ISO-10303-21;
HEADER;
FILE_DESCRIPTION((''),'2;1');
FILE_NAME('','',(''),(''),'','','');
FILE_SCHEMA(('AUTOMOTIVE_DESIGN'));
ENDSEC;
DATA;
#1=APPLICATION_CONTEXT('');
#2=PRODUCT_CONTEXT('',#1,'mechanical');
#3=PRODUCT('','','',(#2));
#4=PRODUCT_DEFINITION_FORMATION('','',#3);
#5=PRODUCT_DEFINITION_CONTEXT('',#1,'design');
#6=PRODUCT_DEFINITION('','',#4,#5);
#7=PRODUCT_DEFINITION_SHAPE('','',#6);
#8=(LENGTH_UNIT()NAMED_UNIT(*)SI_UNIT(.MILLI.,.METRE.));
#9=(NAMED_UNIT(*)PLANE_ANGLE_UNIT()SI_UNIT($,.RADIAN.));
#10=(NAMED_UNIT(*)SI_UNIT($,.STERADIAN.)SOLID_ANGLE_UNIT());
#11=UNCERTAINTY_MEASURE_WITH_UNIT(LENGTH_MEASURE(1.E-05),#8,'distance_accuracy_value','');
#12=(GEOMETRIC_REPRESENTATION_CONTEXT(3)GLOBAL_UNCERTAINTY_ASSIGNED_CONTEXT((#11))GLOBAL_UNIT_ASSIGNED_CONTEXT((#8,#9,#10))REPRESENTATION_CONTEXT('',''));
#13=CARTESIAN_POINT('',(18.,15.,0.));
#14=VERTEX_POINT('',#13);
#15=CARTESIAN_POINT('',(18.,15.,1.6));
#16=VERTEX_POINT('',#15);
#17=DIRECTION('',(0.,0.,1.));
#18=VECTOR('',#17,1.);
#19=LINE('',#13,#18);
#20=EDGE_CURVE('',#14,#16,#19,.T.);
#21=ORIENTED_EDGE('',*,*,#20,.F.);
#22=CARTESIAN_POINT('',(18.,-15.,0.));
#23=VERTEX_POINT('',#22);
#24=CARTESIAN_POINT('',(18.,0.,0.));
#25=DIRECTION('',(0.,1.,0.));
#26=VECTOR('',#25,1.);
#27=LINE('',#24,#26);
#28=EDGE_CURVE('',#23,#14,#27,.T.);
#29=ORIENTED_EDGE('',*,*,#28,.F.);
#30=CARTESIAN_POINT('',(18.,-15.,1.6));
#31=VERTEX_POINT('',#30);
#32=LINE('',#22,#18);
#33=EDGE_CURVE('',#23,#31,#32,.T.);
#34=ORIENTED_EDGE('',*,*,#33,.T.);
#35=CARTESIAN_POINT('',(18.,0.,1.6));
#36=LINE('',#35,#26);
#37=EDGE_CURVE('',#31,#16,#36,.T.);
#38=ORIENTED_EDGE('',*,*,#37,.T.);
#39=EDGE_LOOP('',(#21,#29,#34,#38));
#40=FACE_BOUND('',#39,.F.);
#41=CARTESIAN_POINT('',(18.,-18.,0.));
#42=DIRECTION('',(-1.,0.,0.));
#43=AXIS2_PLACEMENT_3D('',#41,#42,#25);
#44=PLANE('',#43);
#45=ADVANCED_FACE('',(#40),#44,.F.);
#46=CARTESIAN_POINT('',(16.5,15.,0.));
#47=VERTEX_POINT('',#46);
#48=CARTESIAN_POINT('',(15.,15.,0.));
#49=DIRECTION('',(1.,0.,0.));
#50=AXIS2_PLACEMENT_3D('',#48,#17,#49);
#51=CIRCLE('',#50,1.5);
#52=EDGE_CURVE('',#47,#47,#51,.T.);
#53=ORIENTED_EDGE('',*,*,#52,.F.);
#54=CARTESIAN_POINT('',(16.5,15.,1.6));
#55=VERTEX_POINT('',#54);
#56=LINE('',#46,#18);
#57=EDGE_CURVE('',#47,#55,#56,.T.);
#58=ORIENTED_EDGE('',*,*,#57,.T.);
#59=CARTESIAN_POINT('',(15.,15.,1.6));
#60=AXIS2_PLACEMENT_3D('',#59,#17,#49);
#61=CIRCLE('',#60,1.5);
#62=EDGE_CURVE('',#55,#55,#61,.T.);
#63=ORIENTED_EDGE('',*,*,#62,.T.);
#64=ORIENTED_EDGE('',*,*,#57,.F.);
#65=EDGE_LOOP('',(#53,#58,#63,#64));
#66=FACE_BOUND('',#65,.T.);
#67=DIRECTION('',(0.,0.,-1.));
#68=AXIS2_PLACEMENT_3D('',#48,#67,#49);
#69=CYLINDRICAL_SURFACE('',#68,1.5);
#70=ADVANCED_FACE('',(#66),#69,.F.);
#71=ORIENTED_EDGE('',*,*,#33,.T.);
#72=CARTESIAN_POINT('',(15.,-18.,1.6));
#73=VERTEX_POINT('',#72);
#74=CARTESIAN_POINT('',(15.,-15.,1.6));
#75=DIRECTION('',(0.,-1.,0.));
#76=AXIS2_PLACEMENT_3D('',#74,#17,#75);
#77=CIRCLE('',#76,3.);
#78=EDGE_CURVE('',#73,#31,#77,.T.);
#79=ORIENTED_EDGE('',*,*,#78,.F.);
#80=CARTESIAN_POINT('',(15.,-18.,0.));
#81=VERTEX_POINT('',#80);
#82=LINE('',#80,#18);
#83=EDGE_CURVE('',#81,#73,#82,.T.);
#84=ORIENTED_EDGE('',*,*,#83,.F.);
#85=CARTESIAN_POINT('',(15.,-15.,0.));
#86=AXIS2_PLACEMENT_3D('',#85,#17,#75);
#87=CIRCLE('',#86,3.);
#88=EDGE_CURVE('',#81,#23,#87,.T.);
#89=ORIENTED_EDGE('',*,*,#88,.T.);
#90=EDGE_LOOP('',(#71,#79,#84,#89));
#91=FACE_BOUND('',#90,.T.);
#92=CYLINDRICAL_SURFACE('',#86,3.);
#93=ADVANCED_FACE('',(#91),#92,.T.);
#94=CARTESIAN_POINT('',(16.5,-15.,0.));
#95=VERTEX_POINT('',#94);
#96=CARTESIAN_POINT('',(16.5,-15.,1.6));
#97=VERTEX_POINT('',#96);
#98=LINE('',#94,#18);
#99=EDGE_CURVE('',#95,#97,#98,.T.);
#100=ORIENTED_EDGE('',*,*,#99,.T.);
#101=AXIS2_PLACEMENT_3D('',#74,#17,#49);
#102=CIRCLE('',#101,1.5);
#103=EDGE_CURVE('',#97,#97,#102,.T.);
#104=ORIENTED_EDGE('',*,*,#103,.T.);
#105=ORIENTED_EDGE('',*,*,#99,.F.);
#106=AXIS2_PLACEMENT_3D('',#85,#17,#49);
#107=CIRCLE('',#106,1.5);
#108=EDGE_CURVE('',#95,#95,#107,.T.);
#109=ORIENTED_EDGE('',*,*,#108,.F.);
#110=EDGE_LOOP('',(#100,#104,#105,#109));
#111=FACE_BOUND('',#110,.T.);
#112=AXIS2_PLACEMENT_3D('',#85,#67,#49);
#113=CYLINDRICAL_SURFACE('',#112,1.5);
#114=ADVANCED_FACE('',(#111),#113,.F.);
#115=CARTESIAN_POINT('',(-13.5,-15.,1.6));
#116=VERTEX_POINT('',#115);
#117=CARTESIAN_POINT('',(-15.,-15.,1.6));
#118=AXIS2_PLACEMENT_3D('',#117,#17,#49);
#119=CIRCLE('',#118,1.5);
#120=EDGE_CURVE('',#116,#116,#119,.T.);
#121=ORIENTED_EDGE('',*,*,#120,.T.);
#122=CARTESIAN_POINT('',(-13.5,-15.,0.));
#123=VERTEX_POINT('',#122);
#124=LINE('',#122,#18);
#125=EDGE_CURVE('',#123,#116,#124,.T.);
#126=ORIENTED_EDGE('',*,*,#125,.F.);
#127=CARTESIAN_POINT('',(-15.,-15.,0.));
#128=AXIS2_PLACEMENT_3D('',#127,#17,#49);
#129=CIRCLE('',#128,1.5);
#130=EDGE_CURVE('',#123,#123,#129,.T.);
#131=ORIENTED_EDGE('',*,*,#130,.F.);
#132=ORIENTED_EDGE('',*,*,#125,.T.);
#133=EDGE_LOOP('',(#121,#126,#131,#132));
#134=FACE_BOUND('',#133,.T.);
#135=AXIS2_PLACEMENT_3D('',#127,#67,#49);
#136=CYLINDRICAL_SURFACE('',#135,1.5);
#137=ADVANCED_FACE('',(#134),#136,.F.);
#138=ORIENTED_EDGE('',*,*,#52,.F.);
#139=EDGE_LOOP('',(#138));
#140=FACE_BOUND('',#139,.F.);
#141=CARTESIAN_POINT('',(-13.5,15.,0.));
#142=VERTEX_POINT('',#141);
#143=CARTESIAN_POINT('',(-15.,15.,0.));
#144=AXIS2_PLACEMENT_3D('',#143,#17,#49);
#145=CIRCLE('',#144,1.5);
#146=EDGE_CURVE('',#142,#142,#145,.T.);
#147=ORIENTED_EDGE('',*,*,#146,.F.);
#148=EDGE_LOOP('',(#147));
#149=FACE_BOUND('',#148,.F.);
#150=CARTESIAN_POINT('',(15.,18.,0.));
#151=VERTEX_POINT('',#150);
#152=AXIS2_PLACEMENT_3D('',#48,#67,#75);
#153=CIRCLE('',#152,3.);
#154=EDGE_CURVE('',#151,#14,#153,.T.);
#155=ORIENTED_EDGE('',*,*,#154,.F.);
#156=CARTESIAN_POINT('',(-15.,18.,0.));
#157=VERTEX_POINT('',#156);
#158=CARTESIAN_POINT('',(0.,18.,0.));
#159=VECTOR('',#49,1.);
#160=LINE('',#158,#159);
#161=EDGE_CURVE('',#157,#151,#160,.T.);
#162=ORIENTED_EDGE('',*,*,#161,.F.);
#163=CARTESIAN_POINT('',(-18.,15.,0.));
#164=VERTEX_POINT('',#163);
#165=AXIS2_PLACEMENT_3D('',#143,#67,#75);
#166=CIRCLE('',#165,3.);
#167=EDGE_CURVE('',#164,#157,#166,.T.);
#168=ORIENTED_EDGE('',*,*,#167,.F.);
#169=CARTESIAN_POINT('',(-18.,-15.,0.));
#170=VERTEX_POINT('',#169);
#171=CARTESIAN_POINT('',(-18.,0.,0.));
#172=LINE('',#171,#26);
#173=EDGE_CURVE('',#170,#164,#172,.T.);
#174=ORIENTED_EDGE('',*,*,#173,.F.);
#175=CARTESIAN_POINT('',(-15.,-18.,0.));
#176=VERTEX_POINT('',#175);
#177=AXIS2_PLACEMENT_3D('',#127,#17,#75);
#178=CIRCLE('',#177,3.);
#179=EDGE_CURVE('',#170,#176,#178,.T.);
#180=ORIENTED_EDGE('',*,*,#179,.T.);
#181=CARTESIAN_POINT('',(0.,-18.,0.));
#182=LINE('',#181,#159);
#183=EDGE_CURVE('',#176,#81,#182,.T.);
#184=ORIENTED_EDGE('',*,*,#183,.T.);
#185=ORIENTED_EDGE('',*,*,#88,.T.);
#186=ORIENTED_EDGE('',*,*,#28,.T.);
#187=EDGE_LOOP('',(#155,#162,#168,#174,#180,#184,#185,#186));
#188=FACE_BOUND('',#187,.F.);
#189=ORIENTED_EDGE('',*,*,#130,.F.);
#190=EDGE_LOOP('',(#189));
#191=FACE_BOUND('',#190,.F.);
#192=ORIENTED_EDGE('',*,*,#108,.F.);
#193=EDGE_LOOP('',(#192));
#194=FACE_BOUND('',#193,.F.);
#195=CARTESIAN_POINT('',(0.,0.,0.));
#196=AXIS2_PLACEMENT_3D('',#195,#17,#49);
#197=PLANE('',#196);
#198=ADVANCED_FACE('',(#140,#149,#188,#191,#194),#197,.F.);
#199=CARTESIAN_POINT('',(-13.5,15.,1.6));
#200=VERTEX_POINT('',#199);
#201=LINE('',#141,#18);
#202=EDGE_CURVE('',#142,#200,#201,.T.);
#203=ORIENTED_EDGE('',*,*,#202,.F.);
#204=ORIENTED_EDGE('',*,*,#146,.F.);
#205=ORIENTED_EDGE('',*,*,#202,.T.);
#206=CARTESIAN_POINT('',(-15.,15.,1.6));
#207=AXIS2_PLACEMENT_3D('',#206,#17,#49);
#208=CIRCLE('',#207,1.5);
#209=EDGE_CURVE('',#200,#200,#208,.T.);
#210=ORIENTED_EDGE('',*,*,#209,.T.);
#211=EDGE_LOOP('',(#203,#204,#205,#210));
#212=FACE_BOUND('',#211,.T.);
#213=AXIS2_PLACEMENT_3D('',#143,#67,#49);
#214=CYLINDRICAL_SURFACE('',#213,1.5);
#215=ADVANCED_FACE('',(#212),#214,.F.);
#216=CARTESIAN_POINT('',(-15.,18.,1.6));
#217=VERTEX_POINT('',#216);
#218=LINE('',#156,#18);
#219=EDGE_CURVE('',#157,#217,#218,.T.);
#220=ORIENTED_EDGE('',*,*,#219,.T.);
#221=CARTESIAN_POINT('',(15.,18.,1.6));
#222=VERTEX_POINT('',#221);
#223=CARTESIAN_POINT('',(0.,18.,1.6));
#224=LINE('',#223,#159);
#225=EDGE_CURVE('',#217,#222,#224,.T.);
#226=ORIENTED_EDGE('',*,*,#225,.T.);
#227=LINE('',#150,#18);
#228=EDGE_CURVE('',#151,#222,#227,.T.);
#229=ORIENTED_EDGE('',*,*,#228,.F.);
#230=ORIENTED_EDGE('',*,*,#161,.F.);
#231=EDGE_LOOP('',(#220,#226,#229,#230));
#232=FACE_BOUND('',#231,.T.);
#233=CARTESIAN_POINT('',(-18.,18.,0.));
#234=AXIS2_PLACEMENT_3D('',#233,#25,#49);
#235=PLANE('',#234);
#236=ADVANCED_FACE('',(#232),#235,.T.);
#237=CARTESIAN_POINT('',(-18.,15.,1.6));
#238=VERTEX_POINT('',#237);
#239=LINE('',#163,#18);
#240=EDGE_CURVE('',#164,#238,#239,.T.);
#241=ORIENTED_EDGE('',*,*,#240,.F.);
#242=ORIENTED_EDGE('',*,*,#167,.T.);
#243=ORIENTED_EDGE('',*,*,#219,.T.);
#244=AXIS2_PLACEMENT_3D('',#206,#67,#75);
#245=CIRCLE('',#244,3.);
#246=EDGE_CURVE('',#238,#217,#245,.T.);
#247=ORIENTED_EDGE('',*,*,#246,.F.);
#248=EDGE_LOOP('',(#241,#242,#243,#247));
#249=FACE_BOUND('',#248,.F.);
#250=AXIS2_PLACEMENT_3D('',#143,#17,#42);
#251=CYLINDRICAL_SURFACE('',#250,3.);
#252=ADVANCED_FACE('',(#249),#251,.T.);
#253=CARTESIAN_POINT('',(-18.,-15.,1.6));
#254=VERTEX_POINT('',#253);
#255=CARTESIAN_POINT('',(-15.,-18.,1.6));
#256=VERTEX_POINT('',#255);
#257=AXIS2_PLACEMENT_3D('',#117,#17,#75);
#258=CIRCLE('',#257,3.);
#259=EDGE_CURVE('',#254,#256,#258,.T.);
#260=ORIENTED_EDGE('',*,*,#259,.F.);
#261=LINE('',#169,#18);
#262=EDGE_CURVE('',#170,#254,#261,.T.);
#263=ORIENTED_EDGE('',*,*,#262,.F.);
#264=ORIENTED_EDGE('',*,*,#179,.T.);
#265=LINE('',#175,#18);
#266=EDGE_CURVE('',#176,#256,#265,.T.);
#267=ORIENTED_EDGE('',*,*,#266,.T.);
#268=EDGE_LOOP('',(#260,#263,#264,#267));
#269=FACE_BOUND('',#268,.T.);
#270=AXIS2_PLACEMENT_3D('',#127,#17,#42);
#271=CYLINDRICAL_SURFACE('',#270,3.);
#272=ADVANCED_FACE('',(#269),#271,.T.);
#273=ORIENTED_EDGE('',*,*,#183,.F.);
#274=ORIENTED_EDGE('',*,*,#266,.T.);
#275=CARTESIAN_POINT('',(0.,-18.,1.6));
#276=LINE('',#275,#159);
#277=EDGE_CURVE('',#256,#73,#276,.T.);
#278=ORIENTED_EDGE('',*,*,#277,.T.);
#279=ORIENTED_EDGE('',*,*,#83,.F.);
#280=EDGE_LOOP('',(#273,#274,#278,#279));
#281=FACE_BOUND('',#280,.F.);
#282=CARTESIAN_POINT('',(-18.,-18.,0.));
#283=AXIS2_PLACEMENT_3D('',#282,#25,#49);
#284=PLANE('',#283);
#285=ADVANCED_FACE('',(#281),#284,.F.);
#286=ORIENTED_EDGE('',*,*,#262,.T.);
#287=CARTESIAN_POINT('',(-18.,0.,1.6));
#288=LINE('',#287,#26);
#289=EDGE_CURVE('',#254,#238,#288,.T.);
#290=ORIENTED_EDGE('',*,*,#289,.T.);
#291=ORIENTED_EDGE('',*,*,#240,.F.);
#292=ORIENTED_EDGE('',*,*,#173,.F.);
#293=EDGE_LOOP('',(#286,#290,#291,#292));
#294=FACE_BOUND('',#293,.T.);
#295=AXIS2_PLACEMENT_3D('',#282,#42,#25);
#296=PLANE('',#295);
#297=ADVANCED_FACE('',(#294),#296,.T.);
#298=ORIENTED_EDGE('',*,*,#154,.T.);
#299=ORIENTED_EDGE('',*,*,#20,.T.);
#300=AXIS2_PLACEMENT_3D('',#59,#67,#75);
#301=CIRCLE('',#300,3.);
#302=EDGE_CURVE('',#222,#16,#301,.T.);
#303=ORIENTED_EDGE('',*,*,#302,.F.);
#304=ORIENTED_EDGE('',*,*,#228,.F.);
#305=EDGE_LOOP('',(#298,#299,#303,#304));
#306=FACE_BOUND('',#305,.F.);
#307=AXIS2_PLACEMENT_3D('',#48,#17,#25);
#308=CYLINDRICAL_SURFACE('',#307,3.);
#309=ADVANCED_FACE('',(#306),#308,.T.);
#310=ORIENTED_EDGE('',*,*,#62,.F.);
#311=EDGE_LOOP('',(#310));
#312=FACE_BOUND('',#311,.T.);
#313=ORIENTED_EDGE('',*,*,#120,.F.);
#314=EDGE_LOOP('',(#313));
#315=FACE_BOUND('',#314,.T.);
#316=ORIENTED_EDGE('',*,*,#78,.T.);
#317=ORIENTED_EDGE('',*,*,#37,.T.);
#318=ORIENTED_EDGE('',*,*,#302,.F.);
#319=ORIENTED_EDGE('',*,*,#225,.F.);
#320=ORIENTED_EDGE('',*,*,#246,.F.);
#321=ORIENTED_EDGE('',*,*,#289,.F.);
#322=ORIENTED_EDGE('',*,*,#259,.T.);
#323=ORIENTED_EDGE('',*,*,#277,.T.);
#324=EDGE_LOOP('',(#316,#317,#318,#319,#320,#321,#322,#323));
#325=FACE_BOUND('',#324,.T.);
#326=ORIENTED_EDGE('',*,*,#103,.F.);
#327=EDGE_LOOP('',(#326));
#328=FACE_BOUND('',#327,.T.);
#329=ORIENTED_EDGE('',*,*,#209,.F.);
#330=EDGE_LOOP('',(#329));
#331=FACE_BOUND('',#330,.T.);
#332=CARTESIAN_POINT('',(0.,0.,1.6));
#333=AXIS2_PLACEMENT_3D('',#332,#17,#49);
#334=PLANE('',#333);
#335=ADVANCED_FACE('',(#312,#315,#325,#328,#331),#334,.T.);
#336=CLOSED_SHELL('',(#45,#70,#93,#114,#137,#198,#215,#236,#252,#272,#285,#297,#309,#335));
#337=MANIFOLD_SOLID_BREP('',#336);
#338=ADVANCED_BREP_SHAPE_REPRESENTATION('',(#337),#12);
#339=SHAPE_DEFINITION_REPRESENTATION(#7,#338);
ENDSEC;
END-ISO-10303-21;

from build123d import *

# Parameters (mm, degrees)
F0_W     = 36
F0_H     = 36
F0_R     = 1.5
F1_DEPTH = 1.6
F2_R     = 3


with BuildPart() as f1:
    # F0 (on Top) → F1 (new body)
    with BuildSketch(Plane.XY):
        Rectangle(F0_W, F0_H)
        with Locations((-15, -15)):
            Circle(F0_R, mode=Mode.SUBTRACT)
        with Locations((15, -15)):
            Circle(F0_R, mode=Mode.SUBTRACT)
        with Locations((-15, 15)):
            Circle(F0_R, mode=Mode.SUBTRACT)
        with Locations((15, 15)):
            Circle(F0_R, mode=Mode.SUBTRACT)
    extrude(amount=F1_DEPTH)

    # F2
    f2_edges = [f1.edges().sort_by_distance(p)[0] for p in [
        (-18, 18, 0.8),
        (18, 18, 0.8),
        (18, -18, 0.8),
        (-18, -18, 0.8),
    ]]
    fillet(f2_edges, radius=F2_R)


solid = f1.part
